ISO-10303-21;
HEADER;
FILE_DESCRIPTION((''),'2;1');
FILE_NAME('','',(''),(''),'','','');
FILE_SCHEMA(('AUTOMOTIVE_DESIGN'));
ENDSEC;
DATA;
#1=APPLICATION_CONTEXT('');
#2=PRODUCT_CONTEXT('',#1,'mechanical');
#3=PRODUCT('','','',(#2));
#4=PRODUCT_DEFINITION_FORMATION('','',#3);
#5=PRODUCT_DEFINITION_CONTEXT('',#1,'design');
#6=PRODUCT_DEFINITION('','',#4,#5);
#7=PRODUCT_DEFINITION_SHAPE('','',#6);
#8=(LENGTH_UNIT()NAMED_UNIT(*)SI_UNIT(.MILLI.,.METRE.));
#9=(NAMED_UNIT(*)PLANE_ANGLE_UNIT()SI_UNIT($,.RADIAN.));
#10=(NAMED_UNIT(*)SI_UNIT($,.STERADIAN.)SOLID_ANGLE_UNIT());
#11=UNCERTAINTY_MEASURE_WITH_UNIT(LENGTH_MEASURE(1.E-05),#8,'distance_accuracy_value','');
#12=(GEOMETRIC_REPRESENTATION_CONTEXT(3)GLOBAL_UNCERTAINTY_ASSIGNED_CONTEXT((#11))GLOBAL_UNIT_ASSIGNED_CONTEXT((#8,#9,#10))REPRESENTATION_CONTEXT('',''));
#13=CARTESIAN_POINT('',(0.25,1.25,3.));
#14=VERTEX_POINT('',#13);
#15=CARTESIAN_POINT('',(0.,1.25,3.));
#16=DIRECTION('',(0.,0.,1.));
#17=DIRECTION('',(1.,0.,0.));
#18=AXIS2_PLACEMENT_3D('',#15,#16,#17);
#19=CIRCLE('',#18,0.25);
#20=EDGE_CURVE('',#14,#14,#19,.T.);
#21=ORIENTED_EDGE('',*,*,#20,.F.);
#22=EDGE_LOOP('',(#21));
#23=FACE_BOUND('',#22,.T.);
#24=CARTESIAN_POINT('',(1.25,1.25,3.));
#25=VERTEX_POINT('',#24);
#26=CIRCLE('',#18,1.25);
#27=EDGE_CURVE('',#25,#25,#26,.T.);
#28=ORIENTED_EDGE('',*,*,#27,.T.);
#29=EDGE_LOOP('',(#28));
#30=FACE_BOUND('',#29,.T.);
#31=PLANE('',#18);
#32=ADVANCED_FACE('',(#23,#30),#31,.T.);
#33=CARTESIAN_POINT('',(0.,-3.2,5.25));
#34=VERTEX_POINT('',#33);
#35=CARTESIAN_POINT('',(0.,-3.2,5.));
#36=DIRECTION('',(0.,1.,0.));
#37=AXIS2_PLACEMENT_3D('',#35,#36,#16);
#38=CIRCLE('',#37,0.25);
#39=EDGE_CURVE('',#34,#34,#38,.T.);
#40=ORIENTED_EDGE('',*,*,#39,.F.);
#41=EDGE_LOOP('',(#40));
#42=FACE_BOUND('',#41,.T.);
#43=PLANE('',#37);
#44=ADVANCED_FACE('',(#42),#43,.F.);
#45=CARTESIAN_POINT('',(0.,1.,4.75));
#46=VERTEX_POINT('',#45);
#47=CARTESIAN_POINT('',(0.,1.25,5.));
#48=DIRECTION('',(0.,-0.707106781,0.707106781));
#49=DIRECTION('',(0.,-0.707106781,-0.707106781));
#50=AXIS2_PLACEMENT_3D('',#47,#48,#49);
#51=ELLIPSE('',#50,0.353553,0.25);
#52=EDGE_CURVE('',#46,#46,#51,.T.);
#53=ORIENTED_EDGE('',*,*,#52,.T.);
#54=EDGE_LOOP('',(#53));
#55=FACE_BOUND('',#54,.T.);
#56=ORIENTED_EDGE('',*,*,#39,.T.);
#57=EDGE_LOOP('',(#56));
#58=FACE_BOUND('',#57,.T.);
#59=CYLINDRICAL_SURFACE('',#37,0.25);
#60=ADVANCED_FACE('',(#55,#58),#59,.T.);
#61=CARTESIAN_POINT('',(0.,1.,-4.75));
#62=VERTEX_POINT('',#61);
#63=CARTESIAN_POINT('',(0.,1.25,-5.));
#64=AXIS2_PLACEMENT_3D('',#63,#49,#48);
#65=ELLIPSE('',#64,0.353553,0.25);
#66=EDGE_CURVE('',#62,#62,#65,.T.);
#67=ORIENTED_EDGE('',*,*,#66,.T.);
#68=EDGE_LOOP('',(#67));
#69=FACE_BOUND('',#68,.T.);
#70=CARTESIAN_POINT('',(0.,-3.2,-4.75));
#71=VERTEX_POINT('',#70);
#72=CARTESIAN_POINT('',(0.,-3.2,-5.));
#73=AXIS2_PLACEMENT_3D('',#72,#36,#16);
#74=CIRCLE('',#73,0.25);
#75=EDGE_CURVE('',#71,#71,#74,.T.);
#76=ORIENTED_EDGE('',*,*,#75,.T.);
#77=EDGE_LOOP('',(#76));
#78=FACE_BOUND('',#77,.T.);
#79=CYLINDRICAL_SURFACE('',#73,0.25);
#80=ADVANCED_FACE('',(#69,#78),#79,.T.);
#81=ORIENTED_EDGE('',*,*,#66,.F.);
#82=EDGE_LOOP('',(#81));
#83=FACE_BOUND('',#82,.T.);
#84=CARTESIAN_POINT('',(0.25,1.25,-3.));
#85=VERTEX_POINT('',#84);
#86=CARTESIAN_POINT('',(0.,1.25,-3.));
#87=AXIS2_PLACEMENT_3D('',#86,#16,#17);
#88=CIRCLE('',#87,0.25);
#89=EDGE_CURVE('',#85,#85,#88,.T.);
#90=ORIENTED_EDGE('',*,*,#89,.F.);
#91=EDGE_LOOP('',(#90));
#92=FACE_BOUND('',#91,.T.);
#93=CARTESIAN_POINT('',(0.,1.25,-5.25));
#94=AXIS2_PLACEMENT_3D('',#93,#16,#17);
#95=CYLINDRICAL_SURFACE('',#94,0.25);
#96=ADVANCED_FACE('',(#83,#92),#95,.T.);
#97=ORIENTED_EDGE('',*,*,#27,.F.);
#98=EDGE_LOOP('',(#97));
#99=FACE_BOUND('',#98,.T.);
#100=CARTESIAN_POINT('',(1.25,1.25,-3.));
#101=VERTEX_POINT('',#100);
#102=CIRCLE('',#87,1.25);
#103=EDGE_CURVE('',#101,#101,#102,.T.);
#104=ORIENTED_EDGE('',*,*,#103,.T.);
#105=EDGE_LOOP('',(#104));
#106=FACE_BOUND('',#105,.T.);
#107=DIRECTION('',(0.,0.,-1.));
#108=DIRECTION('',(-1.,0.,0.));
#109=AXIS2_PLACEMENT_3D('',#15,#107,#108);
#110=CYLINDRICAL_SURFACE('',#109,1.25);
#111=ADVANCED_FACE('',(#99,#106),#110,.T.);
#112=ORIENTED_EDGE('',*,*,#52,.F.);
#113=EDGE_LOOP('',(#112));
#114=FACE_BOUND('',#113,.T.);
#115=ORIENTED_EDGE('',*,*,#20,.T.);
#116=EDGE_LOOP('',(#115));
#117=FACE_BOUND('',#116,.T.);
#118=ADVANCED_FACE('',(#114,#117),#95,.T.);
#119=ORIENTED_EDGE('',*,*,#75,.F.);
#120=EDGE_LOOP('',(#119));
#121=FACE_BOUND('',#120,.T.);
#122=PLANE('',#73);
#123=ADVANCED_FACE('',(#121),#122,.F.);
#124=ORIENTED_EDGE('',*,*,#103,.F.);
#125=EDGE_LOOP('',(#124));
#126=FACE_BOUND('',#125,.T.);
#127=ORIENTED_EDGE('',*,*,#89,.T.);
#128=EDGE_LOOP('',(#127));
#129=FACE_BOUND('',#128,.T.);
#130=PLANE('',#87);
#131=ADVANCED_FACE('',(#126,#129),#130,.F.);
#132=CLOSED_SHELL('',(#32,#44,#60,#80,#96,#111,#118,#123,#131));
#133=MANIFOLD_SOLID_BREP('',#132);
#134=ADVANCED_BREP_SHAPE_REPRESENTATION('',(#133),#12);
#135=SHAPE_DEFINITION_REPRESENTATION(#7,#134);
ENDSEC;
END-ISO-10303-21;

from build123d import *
from build123d.topology import SkipClean

# Parameters (mm, degrees)
SKETCH1_R                       = 1.25
BOSS_EXTRUDE1_DEPTH             = 3
BOSS_EXTRUDE2_DEPTH             = 2.25
BOSS_EXTRUDE2_DEPTH_BACK        = 8.25
SKETCH2_R                       = 0.25
BOSS_EXTRUDE3_REACH             = 7.948
SKETCH3_R                       = 0.25
BOSS_EXTRUDE3_DIRECTION_2_DEPTH = 3.2
CUT_EXTRUDE1_DEPTH              = 8.849522278


with BuildPart() as part:
    # Sketch1 → Boss-Extrude1 (new, symmetric)
    with BuildSketch(Plane.XY):
        with Locations((0, 1.25)):
            Circle(SKETCH1_R)
    extrude(amount=BOSS_EXTRUDE1_DEPTH, both=True)

    # Sketch2 → Boss-Extrude2 (add, two sides: drawn at the far end of the back side and taken through both)
    with BuildSketch(Plane.XY.offset(3).offset(-BOSS_EXTRUDE2_DEPTH_BACK)):
        with Locations((0, 1.25)):
            Circle(SKETCH2_R)
    extrude(amount=BOSS_EXTRUDE2_DEPTH + BOSS_EXTRUDE2_DEPTH_BACK)

    # Sketch3 → Boss-Extrude3 (add, up to next)
    with BuildSketch(Plane(origin=(0, 0, 0), x_dir=(1, 0, 0), z_dir=(0, 1, 0)), mode=Mode.PRIVATE) as boss_extrude3_sk1:
        with Locations((0, -5)):
            Circle(SKETCH3_R)
    boss_extrude3_tool1 = extrude(boss_extrude3_sk1.sketch, amount=BOSS_EXTRUDE3_REACH, mode=Mode.PRIVATE) - part.part
    # Sketch3 → Boss-Extrude3 (add, up to next)
    with BuildSketch(Plane(origin=(0, 0, 0), x_dir=(1, 0, 0), z_dir=(0, 1, 0)), mode=Mode.PRIVATE) as boss_extrude3_sk2:
        with Locations((0, 5)):
            Circle(SKETCH3_R)
    boss_extrude3_tool2 = extrude(boss_extrude3_sk2.sketch, amount=BOSS_EXTRUDE3_REACH, mode=Mode.PRIVATE) - part.part
    add(boss_extrude3_tool1.solids().sort_by_distance((0, 0, 5))[0])
    add(boss_extrude3_tool2.solids().sort_by_distance((0, 0, -5))[0])

    # Sketch3 → Boss-Extrude3 direction 2 (add)
    with SkipClean():  # the faces are left unmerged after this step: merging them gives an invalid solid
        with BuildSketch(Plane(origin=(0, 0, 0), x_dir=(1, 0, 0), z_dir=(0, 1, 0))):
            with Locations((0, -5)):
                Circle(SKETCH3_R)
            with Locations((0, 5)):
                Circle(SKETCH3_R)
        extrude(amount=-BOSS_EXTRUDE3_DIRECTION_2_DEPTH)

    # Sketch4 → Cut-Extrude1 (cut, through all)
    with BuildSketch(Plane(origin=(0, -3.2, 0), x_dir=(-1, 0, 0), z_dir=(0, -1, 0))):
        with BuildLine():
            Line((0.25, -5), (0.35, -5))
            Line((0.35, -5), (0.35, -5.35))
            Line((0.35, -5.35), (-0.35, -5.35))
            Line((-0.35, -5.35), (-0.35, -5))
            Line((-0.35, -5), (-0.25, -5))
            ThreePointArc((-0.25, -5), (0, -5.25), (0.25, -5))
        make_face()
        with BuildLine():
            Line((-0.25, 5), (-0.35, 5))
            Line((-0.35, 5), (-0.35, 5.35))
            Line((-0.35, 5.35), (0.35, 5.35))
            Line((0.35, 5.35), (0.35, 5))
            Line((0.35, 5), (0.25, 5))
            ThreePointArc((0.25, 5), (0, 5.25), (-0.25, 5))
        make_face()
    extrude(amount=-CUT_EXTRUDE1_DEPTH, mode=Mode.SUBTRACT)


solid = part.part
